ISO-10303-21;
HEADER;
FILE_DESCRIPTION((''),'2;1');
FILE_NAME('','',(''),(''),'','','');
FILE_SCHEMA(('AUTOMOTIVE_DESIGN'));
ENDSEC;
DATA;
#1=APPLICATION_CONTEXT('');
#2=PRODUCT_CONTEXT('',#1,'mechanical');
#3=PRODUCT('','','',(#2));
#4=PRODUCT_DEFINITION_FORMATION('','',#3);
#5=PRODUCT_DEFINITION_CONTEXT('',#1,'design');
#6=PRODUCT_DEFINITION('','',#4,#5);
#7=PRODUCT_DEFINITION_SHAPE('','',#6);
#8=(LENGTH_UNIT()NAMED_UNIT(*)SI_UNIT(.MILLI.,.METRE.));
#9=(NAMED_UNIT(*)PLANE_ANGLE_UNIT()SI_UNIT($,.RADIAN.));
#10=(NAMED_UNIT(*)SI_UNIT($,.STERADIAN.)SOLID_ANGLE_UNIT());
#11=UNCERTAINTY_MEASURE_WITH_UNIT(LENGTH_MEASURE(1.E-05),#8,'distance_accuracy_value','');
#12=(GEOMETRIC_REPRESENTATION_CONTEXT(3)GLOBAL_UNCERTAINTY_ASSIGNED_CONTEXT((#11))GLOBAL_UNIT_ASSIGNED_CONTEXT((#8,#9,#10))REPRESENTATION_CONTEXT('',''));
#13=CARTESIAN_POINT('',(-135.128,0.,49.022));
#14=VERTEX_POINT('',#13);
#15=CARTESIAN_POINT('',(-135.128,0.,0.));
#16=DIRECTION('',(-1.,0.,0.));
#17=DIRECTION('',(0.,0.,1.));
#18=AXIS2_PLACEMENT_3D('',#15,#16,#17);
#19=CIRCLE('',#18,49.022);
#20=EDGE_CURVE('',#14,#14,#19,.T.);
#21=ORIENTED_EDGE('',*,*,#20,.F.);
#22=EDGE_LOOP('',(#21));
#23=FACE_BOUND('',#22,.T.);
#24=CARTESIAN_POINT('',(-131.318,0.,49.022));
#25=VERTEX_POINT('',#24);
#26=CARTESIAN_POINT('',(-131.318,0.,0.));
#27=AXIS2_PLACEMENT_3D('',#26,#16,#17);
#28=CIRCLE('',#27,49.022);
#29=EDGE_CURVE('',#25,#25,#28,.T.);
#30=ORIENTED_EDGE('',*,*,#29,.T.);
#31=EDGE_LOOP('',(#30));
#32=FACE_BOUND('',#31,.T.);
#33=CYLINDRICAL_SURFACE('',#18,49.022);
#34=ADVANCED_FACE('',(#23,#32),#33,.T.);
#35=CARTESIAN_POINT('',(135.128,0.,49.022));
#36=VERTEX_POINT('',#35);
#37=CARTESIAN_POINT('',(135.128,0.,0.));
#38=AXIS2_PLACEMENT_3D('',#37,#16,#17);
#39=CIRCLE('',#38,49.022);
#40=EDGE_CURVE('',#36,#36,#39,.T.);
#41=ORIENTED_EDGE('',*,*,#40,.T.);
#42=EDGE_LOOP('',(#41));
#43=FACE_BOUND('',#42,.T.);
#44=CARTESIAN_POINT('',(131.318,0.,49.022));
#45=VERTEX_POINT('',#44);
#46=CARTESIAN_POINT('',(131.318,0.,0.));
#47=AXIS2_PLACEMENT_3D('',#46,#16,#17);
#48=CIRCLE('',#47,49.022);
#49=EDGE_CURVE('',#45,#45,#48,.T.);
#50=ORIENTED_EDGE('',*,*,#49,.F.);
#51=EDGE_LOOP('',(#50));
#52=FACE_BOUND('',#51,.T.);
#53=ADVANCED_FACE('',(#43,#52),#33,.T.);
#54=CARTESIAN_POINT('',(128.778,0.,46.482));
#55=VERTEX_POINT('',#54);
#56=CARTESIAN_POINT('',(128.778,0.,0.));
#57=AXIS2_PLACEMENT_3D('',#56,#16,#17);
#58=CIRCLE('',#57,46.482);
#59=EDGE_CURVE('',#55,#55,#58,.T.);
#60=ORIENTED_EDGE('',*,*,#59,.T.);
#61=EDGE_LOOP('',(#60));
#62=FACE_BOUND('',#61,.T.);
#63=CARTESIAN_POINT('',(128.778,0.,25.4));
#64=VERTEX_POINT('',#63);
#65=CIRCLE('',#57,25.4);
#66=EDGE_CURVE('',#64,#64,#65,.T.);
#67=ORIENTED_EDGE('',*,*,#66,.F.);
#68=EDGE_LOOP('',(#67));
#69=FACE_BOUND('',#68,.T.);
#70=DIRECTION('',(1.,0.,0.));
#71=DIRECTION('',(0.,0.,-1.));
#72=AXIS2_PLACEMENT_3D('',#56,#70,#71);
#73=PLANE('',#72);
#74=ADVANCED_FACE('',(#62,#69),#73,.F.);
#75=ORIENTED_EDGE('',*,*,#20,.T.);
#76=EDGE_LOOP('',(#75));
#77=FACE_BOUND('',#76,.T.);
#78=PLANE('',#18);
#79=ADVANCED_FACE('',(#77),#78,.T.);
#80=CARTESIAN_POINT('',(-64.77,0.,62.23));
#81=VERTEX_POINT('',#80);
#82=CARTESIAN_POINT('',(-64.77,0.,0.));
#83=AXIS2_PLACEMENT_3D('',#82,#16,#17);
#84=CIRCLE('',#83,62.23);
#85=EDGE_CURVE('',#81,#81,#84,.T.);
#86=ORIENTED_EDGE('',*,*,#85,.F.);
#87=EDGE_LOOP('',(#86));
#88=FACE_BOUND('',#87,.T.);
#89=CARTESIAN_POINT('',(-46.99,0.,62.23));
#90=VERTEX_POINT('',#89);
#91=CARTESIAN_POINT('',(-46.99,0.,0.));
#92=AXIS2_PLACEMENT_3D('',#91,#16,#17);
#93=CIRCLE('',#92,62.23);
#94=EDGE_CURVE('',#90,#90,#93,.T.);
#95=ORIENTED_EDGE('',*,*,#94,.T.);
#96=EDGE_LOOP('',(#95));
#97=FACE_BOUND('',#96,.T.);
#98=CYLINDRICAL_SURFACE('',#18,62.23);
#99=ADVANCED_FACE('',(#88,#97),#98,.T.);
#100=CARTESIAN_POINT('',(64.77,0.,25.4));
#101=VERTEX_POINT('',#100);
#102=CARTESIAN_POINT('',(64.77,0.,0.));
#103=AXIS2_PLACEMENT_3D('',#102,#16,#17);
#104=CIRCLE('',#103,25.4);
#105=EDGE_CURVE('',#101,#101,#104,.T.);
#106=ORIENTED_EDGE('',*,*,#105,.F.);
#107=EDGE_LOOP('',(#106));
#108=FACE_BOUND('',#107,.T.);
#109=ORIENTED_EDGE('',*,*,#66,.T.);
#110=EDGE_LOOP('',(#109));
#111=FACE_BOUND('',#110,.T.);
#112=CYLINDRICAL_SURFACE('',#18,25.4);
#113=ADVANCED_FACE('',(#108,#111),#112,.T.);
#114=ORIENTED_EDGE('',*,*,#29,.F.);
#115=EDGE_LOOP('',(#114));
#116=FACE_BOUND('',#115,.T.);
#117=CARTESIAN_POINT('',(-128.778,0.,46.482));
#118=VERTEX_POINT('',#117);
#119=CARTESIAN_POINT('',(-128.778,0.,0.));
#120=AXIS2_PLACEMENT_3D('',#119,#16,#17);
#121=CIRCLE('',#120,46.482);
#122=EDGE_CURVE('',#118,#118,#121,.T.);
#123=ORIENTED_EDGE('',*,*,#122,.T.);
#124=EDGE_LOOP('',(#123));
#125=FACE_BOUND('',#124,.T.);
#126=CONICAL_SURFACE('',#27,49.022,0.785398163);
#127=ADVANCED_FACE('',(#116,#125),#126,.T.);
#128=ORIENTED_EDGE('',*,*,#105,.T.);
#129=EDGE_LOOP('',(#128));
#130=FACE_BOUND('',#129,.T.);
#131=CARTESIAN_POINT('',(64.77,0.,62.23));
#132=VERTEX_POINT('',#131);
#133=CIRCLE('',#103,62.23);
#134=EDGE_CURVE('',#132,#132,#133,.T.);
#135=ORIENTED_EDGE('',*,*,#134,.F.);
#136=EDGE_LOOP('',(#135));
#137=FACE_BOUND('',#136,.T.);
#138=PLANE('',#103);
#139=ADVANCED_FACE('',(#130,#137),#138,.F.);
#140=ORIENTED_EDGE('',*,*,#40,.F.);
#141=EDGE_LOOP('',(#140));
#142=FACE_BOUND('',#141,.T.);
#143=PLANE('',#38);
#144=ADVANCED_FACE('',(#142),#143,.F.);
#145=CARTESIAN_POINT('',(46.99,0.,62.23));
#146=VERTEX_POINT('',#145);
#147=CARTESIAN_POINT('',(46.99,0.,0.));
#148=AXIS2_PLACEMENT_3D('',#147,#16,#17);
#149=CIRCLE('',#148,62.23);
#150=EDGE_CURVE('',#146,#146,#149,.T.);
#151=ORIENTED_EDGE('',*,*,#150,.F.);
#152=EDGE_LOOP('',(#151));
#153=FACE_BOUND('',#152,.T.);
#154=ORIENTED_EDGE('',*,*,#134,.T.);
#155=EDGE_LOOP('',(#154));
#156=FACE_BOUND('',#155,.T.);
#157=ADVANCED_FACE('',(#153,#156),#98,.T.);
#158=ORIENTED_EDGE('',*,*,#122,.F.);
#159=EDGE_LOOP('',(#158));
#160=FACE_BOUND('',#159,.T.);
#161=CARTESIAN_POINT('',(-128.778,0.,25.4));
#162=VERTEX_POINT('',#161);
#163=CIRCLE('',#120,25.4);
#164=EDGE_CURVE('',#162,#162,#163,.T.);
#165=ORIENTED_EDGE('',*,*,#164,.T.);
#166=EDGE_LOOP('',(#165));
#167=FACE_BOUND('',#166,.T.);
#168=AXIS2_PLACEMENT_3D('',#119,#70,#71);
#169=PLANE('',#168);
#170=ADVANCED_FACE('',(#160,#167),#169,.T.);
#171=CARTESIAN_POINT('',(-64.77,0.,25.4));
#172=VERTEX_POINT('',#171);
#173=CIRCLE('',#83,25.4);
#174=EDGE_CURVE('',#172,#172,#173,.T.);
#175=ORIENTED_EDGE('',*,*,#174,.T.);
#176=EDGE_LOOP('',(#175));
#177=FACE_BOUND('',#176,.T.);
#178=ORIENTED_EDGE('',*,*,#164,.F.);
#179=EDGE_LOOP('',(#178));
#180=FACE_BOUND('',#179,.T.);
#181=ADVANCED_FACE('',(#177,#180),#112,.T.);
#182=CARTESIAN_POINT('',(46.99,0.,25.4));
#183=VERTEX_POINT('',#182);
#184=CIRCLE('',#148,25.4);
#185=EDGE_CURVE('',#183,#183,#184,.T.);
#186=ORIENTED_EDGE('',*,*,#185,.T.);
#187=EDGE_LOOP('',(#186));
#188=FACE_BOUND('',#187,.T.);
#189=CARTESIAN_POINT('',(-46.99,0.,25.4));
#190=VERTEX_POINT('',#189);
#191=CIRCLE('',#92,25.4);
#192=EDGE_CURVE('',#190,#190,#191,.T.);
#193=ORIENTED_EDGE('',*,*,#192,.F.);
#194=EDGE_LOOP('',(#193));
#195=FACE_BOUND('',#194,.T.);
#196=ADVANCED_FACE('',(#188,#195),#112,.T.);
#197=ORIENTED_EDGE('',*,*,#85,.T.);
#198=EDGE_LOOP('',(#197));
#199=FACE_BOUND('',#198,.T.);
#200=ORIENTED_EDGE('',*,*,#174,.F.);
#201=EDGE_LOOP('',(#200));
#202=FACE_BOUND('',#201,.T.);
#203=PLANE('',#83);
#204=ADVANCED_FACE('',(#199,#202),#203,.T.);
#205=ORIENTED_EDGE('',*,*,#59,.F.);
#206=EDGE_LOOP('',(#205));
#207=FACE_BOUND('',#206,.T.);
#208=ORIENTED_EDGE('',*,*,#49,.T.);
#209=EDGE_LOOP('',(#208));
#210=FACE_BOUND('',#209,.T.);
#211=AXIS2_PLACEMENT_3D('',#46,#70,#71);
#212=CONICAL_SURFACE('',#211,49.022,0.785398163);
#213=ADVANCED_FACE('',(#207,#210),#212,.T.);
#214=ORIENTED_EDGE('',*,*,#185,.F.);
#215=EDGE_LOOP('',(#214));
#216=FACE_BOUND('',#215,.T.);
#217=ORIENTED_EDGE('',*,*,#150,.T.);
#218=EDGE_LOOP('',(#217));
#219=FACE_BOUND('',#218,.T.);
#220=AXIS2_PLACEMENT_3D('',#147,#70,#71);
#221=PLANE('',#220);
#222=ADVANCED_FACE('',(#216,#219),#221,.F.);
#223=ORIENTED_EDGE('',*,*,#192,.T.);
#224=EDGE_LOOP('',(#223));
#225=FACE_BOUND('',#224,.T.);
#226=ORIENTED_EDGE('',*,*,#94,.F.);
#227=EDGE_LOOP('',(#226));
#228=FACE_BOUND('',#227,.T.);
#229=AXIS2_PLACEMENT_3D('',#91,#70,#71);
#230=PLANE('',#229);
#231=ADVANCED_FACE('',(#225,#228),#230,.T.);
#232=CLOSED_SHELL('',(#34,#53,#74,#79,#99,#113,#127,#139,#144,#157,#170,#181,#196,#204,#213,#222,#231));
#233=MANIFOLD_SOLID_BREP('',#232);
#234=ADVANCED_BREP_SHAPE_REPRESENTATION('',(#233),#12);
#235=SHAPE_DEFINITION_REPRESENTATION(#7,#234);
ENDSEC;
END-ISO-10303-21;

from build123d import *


with BuildPart() as part:
    # Sketch1 → Revolve1 (revolve)
    with BuildSketch(Plane.XY):
        Polygon((-135.128, 49.022), (-135.128, 0), (0, 0), (0, 25.4), (-46.99, 25.4), (-46.99, 62.23), (-64.77, 62.23), (-64.77, 25.4), (-128.778, 25.4), (-128.778, 46.482), (-131.318, 49.022), align=None)
        Polygon((0, 25.4), (0, 0), (135.128, 0), (135.128, 49.022), (131.318, 49.022), (128.778, 46.482), (128.778, 25.4), (64.77, 25.4), (64.77, 62.23), (46.99, 62.23), (46.99, 25.4), align=None)
    revolve(axis=Axis((-135.128, 0, 0), (1, 0, 0)))


solid = part.part
